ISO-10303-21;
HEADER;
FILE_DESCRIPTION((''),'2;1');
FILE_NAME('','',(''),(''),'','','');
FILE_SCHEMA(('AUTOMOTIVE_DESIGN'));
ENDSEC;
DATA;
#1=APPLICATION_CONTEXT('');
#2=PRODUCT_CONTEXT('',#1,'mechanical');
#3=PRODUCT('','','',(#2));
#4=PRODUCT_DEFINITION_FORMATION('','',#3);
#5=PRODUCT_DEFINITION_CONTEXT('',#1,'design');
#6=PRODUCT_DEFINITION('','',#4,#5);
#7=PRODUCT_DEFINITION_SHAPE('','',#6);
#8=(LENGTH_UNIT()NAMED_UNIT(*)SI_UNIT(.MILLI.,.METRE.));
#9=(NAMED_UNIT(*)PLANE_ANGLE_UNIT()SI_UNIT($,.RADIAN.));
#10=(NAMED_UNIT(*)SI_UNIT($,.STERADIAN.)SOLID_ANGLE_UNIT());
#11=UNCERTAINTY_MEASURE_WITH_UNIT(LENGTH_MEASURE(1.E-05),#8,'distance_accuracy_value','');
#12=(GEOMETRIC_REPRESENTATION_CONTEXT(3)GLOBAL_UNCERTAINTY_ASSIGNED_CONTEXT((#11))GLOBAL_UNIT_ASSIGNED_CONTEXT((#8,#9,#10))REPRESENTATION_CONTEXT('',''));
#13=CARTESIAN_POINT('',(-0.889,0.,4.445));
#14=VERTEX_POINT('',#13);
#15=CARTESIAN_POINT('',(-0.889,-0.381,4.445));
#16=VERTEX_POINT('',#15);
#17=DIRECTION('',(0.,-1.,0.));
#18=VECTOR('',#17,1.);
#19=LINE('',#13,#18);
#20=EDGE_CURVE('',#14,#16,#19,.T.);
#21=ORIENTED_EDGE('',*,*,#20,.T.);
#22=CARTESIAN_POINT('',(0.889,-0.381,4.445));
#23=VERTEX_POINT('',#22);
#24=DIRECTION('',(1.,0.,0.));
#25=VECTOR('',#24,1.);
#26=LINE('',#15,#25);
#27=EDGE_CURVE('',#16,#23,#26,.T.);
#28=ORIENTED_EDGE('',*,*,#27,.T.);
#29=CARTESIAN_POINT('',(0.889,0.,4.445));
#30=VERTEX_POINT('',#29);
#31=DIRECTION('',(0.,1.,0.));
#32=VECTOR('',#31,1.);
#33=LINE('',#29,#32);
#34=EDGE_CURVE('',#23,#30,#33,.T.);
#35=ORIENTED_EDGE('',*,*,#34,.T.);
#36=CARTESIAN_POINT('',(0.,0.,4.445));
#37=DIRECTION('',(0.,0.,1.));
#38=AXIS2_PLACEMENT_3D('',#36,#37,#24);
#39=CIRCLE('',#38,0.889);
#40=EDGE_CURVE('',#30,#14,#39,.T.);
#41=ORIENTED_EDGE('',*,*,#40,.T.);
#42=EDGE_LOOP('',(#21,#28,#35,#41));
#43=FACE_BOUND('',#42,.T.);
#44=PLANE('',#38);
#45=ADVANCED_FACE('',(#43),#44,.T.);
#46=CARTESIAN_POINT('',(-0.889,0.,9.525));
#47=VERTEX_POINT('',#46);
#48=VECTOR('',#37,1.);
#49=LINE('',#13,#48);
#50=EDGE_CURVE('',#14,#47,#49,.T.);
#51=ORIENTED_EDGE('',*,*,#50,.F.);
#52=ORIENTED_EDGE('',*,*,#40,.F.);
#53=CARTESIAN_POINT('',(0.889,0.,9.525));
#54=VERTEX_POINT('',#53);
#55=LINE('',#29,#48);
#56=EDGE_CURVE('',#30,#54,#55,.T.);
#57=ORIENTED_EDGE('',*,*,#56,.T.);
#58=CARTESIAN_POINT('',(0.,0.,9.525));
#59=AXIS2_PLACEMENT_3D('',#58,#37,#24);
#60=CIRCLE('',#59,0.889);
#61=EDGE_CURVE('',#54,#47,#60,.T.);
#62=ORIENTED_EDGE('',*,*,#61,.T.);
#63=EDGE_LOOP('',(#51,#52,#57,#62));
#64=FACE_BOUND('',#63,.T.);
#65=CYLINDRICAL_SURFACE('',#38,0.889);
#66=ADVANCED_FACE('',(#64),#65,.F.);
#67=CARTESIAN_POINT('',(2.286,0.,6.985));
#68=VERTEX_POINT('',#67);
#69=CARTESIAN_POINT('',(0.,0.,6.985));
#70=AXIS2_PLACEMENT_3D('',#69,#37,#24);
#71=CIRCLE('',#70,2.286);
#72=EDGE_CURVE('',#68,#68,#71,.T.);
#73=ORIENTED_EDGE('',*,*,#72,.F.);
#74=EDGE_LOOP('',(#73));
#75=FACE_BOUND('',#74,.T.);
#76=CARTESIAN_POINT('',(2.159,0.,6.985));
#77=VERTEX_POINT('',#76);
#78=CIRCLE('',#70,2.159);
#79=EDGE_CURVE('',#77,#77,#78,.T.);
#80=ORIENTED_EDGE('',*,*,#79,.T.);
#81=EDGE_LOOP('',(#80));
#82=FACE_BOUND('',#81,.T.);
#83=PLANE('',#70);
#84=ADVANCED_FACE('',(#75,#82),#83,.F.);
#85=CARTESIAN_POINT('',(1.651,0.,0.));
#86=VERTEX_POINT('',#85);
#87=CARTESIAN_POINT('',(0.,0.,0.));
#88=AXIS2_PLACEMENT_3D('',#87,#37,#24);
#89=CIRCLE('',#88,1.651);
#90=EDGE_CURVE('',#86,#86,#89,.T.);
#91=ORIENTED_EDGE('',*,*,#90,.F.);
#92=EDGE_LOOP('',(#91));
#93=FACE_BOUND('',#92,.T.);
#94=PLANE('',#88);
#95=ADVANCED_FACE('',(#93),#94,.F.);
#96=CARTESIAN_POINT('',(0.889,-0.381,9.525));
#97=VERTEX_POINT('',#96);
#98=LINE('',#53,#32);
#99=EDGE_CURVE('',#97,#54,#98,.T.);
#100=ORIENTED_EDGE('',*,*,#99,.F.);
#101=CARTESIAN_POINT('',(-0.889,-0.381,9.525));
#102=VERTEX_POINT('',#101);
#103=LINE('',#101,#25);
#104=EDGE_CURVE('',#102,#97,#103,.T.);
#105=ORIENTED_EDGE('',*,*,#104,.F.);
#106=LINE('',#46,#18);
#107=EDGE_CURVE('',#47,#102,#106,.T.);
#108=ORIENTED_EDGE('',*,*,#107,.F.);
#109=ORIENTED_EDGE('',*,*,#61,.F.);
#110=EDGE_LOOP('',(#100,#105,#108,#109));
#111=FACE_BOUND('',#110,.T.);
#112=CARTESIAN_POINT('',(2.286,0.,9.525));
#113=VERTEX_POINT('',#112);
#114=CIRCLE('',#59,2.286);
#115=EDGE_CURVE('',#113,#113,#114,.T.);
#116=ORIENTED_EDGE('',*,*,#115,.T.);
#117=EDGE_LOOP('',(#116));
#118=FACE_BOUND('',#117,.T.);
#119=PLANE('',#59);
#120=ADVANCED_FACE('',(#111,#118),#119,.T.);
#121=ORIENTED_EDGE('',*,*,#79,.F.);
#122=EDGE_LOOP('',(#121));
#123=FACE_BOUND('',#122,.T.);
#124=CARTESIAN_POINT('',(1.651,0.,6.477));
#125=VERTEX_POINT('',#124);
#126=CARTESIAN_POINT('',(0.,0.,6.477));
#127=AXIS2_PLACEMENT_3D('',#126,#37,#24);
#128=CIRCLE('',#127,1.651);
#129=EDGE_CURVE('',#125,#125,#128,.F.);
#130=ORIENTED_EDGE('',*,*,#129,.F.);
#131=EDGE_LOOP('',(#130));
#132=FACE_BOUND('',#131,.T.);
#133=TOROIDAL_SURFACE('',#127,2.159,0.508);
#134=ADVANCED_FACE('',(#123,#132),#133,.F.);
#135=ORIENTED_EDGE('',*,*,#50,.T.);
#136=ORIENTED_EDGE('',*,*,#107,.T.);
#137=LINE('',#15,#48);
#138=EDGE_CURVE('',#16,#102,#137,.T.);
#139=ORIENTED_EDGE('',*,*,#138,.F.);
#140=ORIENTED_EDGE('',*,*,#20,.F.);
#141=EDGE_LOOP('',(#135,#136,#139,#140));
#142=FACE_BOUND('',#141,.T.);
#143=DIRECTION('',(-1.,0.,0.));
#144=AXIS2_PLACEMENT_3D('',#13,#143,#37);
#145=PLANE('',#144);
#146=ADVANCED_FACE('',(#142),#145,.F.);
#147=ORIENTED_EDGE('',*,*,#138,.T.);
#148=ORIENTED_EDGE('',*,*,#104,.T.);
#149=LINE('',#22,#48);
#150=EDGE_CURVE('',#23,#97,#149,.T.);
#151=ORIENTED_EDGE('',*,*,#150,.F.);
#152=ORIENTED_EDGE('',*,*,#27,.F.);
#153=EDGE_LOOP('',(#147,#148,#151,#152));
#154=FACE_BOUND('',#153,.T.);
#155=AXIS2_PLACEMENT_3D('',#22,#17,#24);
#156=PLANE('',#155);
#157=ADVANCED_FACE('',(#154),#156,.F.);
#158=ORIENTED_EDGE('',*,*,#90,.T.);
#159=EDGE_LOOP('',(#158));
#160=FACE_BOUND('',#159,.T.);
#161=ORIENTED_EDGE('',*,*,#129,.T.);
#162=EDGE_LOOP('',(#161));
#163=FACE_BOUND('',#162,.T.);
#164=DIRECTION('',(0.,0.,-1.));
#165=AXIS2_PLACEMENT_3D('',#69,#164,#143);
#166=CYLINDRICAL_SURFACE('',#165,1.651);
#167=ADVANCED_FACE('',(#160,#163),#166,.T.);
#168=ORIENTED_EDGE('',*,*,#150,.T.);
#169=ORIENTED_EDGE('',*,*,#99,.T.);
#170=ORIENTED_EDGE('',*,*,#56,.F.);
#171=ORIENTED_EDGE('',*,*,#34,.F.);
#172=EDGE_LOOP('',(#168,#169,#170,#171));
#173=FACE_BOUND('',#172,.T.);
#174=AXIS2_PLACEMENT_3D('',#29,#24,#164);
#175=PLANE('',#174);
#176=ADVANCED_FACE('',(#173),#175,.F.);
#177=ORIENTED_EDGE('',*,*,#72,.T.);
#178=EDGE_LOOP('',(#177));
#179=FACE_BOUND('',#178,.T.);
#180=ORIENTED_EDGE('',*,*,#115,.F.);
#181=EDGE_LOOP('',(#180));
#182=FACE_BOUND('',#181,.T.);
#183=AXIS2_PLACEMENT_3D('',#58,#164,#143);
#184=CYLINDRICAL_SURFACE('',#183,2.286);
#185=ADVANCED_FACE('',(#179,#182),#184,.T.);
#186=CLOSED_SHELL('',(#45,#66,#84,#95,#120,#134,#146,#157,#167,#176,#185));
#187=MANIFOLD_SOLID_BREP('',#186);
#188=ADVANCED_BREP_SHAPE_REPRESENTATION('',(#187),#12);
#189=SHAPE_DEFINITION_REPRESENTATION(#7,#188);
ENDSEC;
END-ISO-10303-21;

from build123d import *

# Parameters (mm, degrees)
SKETCH1_R               = 1.651
BOSS_EXTRUDE1_DEPTH     = 6.985
SKETCH3_R               = 2.286
BOSS_EXTRUDE2_DEPTH     = 2.54
CUT_EXTRUDE3_DEPTH      = 2.54
CUT_EXTRUDE3_DEPTH_BACK = 2.54
FILLET1_R               = 0.508


with BuildPart() as part:
    # Sketch1 → Boss-Extrude1 (new body)
    with BuildSketch(Plane.XY):
        Circle(SKETCH1_R)
    extrude(amount=BOSS_EXTRUDE1_DEPTH)

    # Sketch3 → Boss-Extrude2 (add)
    with BuildSketch(Plane.XY.offset(6.985)):
        Circle(SKETCH3_R)
    extrude(amount=BOSS_EXTRUDE2_DEPTH)

    # Sketch2 → Cut-Extrude3 (cut, two sides)
    with BuildSketch(Plane.XY.offset(6.985)) as cut_extrude3_sk:
        with BuildLine():
            Line((-0.889, 0), (-0.889, -0.381))
            Line((-0.889, -0.381), (0.7112, -0.381))
            Line((0.7112, -0.381), (0.889, -0.381))
            Line((0.889, -0.381), (0.889, 0))
            ThreePointArc((0.889, 0), (0, 0.889), (-0.889, 0))
        make_face()
    extrude(amount=CUT_EXTRUDE3_DEPTH, mode=Mode.SUBTRACT)
    extrude(cut_extrude3_sk.sketch, amount=-CUT_EXTRUDE3_DEPTH_BACK, mode=Mode.SUBTRACT)

    # Fillet1
    fillet1_edges = [part.edges().sort_by_distance(p)[0] for p in [
        (-1.651, 0, 6.985),
    ]]
    fillet(fillet1_edges, radius=FILLET1_R)


solid = part.part
